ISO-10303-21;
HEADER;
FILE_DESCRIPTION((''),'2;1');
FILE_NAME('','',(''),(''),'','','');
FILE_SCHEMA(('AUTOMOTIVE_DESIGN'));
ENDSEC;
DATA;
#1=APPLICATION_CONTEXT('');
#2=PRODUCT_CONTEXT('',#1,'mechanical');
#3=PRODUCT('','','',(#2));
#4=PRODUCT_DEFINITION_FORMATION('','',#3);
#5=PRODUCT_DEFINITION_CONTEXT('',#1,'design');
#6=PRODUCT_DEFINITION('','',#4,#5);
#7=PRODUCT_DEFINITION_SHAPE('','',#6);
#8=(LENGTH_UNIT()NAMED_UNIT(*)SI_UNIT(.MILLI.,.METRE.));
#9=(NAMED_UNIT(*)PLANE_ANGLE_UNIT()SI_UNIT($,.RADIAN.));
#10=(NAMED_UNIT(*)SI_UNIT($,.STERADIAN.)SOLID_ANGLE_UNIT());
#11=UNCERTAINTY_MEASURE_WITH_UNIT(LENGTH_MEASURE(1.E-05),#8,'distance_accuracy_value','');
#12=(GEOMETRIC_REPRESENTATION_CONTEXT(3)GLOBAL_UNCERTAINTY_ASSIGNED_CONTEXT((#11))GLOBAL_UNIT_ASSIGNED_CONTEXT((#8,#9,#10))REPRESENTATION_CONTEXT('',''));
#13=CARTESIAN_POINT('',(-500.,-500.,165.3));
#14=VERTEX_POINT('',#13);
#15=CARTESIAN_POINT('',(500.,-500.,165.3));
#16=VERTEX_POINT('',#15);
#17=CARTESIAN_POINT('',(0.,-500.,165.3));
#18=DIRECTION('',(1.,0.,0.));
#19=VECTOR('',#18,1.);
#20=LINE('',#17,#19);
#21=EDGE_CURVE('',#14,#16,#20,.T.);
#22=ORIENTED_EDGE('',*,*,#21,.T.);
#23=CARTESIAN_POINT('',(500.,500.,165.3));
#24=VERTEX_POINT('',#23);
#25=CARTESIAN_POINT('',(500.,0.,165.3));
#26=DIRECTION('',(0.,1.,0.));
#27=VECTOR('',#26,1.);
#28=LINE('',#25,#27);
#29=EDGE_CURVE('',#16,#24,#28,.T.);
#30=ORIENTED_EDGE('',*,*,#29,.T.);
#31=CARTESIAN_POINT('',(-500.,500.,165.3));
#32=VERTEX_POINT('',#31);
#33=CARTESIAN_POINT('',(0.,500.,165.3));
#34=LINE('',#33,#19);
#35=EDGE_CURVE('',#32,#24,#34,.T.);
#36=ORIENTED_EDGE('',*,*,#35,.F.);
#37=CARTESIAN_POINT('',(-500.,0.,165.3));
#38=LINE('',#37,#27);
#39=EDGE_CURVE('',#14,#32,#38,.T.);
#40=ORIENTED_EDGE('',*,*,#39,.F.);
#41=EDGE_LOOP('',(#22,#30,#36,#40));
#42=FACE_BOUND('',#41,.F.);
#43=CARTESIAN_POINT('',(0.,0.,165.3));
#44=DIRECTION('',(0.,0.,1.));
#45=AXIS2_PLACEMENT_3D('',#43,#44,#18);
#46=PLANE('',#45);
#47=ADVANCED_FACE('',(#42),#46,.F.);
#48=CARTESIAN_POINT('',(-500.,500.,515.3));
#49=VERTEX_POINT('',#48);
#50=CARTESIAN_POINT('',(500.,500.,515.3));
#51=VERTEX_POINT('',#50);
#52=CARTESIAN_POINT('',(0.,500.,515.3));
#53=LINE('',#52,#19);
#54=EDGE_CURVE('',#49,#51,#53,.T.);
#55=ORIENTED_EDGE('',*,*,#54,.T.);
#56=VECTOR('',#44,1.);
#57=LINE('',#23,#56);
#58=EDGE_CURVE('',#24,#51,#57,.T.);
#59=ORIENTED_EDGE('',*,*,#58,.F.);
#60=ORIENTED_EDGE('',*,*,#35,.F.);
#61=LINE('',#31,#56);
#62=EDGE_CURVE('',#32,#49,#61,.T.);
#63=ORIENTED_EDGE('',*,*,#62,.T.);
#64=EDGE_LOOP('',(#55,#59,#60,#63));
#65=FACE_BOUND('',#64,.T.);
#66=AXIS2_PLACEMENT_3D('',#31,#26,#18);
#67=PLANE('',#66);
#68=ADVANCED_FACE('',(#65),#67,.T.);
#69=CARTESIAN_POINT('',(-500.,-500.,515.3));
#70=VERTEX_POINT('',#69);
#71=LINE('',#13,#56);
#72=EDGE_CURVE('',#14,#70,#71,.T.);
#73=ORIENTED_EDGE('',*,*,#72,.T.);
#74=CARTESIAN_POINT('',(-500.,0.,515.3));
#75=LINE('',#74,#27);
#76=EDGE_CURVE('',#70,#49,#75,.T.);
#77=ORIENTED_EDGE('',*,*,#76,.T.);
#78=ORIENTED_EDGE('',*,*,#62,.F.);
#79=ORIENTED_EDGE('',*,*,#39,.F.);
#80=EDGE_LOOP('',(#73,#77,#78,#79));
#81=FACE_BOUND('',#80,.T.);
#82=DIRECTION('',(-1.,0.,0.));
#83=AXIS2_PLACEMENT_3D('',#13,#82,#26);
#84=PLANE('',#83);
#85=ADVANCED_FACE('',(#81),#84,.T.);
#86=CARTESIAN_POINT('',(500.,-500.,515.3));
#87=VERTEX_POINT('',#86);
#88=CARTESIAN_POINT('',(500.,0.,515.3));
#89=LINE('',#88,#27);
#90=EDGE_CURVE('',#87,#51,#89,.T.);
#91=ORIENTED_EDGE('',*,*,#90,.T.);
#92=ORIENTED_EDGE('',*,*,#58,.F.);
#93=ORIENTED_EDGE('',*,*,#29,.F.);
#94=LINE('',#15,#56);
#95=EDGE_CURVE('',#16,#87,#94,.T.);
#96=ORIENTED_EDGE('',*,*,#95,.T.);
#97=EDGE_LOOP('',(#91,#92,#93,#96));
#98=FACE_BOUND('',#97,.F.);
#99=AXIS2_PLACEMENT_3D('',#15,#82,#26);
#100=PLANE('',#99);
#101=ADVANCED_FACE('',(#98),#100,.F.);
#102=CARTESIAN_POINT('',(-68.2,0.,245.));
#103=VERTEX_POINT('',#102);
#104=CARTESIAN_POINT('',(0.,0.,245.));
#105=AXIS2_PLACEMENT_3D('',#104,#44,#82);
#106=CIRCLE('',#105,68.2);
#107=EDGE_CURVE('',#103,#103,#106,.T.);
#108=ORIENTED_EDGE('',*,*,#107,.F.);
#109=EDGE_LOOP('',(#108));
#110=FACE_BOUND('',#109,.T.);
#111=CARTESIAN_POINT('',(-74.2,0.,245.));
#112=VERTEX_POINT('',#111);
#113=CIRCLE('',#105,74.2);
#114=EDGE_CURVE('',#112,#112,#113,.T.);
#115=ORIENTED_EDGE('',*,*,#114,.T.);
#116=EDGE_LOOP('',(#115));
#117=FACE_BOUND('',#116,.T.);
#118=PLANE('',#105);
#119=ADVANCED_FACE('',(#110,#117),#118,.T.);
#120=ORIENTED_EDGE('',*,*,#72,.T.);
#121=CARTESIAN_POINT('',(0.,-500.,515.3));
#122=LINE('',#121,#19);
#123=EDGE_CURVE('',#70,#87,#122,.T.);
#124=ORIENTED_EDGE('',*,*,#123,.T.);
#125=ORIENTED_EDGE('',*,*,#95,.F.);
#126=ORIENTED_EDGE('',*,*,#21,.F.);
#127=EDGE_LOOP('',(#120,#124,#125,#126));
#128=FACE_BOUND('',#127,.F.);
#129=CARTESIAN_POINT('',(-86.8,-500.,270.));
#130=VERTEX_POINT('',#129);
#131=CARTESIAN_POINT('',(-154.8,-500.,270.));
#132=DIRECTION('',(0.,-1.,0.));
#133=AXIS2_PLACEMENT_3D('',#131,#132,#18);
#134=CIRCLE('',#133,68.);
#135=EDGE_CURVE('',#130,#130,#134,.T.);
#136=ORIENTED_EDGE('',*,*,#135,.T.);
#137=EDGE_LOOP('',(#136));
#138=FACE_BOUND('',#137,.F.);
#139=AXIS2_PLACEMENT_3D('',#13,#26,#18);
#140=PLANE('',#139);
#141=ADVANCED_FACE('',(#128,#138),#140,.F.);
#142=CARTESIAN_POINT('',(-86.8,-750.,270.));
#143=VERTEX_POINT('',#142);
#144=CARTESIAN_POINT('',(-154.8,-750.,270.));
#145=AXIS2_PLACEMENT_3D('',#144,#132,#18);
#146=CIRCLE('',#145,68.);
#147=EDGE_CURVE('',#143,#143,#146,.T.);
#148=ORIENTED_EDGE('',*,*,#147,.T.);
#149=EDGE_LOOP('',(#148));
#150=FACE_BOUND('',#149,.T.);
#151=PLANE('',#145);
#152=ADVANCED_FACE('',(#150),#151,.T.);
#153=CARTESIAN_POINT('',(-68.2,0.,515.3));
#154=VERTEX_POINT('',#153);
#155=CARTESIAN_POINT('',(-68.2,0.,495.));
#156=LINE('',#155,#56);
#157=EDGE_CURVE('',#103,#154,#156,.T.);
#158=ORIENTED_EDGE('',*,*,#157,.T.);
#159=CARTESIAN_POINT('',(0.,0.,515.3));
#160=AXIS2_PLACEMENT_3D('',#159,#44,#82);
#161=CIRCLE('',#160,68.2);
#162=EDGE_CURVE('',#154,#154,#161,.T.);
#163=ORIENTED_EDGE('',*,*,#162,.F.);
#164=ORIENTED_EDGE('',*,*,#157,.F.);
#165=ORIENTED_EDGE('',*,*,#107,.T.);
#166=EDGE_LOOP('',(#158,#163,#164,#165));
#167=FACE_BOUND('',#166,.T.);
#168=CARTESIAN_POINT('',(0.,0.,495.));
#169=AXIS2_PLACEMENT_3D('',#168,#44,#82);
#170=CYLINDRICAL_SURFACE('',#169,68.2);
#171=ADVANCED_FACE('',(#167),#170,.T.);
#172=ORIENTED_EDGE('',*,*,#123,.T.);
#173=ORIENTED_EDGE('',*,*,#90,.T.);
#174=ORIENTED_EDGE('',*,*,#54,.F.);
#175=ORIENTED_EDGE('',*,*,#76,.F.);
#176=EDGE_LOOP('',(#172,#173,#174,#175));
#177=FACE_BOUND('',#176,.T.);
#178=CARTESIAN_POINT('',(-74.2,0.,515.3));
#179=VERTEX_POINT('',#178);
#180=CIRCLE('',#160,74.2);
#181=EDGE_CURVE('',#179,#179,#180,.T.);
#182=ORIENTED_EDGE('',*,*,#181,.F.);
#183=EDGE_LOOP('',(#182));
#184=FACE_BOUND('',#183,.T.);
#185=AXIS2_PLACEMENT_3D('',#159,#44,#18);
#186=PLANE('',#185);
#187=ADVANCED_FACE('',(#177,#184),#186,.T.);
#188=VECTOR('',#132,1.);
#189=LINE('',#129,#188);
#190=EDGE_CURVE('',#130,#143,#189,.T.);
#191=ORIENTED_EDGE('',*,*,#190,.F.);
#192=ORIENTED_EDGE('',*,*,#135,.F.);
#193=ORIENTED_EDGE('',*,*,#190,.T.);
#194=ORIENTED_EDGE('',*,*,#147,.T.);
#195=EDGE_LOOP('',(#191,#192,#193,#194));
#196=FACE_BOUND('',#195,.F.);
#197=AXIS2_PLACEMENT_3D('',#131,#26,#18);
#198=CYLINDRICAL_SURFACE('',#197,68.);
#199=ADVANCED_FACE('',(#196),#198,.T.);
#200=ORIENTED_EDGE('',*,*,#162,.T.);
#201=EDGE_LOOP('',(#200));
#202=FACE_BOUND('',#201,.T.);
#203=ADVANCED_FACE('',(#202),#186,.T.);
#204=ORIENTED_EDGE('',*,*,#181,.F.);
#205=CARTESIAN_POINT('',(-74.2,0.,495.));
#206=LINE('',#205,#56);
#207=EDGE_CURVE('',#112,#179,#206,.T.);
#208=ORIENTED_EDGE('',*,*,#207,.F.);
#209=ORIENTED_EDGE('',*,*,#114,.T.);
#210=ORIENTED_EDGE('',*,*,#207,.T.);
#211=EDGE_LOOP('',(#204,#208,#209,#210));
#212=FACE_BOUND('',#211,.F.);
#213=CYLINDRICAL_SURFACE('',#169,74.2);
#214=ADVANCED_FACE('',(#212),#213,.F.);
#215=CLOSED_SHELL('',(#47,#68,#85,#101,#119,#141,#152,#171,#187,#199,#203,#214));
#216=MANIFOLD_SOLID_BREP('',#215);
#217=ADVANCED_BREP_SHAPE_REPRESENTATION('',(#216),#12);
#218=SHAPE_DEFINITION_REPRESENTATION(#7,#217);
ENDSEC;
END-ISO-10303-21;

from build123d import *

# Parameters (mm, degrees)
F2_W     = 1000
F2_H     = 1000
F3_DEPTH = 350
F0_W     = 6
F0_H     = 500
F5_R     = 68
F6_DEPTH = 250


with BuildPart() as f3:
    # F2 (on offset) → F3 (new body)
    with BuildSketch(Plane.XY.offset(165.3)):
        Rectangle(F2_W, F2_H)
    extrude(amount=F3_DEPTH)

    # F0 (on Front) → F4 (revolve, cut)
    with BuildSketch(Plane.XZ):
        with Locations((-71.2, 495)):
            Rectangle(F0_W, F0_H)
    revolve(axis=Axis((0, 0, 278.492689), (0, 0, 1)), mode=Mode.SUBTRACT)

    # F5 (on face) → F6 (join)
    with BuildSketch(Plane.XZ.offset(500)):
        with Locations((-154.8, 270)):
            Circle(F5_R)
    extrude(amount=F6_DEPTH)


solid = f3.part
